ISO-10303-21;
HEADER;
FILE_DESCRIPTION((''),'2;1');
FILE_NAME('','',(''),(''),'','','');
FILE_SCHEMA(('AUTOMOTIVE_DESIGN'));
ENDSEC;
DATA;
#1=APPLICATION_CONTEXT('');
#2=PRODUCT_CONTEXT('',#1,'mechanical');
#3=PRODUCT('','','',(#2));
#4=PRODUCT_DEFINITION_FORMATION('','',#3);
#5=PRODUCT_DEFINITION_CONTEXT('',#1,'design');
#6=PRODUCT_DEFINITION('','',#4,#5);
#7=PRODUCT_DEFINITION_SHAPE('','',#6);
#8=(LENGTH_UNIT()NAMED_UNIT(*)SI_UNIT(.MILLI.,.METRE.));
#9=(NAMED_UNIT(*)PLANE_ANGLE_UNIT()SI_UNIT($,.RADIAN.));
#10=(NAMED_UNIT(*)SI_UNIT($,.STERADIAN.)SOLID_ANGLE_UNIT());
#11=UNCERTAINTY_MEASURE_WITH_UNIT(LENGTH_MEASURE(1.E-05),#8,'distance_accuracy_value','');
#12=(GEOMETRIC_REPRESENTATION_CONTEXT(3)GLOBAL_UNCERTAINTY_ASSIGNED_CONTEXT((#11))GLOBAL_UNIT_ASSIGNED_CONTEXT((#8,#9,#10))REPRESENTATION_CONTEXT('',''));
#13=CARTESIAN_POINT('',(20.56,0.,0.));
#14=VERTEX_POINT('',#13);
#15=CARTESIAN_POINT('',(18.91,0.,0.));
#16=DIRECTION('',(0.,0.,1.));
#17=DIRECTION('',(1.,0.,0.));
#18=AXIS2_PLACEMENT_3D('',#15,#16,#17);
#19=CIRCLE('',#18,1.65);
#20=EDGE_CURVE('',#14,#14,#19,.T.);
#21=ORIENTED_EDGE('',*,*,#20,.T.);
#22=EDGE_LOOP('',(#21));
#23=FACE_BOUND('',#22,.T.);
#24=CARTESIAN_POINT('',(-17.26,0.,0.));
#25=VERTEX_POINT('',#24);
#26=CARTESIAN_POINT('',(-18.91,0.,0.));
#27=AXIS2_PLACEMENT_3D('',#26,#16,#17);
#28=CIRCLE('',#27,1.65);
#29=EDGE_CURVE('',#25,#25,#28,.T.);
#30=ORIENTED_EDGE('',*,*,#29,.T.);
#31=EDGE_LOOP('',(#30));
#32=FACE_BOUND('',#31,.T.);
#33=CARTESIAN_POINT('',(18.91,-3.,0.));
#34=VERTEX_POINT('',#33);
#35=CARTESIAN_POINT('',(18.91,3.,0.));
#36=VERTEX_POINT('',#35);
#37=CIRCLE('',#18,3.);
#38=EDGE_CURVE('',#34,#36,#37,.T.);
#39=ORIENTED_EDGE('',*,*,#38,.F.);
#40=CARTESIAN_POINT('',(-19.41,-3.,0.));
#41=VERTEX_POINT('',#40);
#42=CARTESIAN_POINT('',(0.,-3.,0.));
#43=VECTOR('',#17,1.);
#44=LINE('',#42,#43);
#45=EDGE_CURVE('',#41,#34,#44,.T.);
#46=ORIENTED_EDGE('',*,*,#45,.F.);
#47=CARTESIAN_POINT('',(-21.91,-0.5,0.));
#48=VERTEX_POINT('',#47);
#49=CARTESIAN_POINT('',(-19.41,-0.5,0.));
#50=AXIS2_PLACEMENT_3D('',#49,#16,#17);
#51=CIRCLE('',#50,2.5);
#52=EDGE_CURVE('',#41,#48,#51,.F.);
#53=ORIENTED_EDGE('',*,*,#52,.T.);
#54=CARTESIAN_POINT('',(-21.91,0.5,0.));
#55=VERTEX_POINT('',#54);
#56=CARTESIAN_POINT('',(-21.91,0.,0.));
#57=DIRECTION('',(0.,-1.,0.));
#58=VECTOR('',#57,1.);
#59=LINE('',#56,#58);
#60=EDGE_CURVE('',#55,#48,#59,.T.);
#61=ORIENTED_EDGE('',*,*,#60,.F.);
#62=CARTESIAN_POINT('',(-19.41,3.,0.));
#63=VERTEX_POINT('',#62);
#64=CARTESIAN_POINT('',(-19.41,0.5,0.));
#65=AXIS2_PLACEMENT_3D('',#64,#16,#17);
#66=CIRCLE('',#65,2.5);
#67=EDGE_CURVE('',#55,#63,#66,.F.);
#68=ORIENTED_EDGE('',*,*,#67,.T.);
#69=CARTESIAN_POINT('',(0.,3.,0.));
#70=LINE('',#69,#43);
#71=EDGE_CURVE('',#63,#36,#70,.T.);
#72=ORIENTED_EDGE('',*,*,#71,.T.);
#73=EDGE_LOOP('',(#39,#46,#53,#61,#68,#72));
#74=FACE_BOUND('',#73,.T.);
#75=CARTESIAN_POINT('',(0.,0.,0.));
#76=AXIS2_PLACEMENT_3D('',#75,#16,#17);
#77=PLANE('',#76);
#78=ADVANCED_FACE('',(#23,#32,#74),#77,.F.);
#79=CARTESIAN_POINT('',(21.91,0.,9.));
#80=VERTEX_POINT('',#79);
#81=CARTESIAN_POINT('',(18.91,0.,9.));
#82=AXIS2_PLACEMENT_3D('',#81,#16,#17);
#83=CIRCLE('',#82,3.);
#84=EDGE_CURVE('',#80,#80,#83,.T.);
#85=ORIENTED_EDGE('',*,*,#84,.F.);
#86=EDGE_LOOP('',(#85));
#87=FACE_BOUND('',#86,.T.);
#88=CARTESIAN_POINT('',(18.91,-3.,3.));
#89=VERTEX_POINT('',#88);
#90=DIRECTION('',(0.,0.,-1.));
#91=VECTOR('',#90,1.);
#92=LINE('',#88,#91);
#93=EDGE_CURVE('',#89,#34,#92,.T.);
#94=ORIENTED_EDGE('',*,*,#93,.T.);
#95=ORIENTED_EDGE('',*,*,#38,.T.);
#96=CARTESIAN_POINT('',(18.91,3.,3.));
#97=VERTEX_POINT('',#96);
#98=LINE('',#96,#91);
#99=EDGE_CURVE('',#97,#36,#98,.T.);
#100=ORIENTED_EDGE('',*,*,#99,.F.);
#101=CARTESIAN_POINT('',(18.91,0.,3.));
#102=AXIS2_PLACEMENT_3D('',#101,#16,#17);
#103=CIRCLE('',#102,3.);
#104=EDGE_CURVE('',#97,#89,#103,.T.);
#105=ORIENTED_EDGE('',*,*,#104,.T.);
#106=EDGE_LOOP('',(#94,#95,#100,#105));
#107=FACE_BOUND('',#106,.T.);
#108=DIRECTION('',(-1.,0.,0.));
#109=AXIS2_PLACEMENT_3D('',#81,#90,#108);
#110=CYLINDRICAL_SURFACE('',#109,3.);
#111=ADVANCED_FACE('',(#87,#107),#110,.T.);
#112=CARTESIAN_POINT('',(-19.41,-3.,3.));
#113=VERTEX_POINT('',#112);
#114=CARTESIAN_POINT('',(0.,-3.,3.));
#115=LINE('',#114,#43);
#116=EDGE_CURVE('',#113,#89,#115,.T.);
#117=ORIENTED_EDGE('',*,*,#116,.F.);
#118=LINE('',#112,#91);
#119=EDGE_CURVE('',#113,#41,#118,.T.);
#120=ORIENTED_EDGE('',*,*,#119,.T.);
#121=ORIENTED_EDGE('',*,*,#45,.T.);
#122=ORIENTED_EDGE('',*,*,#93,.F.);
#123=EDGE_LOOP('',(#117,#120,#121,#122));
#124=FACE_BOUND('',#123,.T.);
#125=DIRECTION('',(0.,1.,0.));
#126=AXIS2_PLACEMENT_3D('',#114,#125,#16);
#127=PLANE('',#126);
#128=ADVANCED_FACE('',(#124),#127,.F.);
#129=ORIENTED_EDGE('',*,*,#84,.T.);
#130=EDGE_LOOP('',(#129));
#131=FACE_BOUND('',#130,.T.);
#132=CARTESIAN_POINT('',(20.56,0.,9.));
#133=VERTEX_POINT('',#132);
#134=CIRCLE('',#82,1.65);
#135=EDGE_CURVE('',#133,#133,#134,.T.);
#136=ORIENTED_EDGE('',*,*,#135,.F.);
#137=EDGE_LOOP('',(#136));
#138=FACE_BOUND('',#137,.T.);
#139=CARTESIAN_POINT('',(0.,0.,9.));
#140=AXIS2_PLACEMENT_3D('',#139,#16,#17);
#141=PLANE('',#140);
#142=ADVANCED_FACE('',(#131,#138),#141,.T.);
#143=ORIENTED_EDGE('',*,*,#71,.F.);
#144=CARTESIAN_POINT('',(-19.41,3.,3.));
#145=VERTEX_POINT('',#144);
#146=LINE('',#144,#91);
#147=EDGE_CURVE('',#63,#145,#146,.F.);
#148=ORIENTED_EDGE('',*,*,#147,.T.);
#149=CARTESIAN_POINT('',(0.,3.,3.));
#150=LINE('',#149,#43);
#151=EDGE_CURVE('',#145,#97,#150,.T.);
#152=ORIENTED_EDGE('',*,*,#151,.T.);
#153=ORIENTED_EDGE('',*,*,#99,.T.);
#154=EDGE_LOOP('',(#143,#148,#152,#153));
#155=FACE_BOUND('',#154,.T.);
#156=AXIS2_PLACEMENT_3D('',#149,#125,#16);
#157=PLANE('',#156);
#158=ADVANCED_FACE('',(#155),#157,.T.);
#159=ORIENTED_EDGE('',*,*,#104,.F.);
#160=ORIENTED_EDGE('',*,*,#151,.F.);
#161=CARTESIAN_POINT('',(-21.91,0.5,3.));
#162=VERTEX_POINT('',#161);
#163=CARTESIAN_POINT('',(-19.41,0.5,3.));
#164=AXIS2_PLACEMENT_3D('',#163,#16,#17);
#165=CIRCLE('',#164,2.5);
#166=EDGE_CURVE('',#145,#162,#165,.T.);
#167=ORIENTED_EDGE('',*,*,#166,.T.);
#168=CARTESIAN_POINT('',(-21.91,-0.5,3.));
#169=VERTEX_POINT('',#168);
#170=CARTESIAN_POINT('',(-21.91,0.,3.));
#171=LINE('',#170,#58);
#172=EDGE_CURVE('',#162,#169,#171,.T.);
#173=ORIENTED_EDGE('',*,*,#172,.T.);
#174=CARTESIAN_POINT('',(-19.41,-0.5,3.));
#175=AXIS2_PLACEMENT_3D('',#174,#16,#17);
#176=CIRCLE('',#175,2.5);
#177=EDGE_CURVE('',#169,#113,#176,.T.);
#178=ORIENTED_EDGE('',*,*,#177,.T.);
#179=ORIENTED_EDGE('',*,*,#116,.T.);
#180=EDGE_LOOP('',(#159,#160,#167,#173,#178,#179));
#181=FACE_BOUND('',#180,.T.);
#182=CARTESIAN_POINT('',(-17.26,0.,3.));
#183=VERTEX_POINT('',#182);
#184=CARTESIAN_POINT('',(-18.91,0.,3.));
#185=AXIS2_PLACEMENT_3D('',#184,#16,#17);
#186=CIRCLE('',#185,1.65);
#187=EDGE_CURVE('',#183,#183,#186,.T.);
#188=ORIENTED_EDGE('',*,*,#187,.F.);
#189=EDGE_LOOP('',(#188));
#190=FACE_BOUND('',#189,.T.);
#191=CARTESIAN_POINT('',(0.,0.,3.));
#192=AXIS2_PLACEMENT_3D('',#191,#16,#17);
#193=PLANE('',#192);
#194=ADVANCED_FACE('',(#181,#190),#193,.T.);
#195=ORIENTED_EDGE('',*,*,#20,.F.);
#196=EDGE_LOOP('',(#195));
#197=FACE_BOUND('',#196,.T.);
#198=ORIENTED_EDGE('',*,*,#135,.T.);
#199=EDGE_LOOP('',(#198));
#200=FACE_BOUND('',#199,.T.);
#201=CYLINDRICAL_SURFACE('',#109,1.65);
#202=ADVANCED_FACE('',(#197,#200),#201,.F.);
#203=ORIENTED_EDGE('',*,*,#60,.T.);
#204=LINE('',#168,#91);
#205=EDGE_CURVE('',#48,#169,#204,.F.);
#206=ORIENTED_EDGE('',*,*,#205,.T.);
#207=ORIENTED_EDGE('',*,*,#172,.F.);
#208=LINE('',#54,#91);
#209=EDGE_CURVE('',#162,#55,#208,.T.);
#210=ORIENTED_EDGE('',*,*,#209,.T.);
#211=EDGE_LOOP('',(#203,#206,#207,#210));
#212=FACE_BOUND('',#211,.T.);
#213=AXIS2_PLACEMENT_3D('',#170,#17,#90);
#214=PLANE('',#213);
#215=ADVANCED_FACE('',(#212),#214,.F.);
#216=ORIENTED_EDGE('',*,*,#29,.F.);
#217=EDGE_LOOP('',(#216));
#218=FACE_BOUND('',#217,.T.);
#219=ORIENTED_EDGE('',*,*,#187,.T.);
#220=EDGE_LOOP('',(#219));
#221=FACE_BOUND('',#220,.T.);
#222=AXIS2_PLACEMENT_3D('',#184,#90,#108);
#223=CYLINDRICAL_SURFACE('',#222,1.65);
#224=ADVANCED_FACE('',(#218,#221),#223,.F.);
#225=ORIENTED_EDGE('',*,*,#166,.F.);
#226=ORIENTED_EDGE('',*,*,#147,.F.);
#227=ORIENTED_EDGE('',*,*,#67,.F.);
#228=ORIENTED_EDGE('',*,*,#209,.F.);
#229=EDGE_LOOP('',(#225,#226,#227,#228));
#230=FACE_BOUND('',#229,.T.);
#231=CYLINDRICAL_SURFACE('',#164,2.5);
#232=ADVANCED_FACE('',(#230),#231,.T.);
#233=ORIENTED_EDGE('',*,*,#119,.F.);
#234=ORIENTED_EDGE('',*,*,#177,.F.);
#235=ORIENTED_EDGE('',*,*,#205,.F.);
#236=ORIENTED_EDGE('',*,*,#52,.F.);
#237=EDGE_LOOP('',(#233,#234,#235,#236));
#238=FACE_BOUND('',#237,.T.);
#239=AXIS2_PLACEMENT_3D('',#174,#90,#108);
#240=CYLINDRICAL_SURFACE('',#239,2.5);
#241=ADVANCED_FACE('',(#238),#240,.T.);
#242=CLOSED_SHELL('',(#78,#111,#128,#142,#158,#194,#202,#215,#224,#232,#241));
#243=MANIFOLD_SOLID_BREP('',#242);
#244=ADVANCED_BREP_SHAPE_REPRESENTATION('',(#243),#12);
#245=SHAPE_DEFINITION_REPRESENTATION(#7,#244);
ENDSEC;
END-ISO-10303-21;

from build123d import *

# Parameters (mm, degrees)
SKETCH1_R           = 1.65
BOSS_EXTRUDE1_DEPTH = 3
SKETCH1_3_R         = 3
SKETCH1_3_R_2       = 1.65
BOSS_EXTRUDE2_DEPTH = 9
FILLET1_R           = 2.5


with BuildPart() as part:
    # Sketch1 → Boss-Extrude1 (new body)
    with BuildSketch(Plane.XY):
        with BuildLine():
            Line((-21.91, -3), (18.91, -3))
            ThreePointArc((18.91, -3), (15.91, 0), (18.91, 3))
            Line((18.91, 3), (-21.91, 3))
            Line((-21.91, 3), (-21.91, -3))
        make_face()
        with Locations((-18.91, 0)):
            Circle(SKETCH1_R, mode=Mode.SUBTRACT)
    extrude(amount=BOSS_EXTRUDE1_DEPTH)

    # Sketch1<3> → Boss-Extrude2 (add)
    with BuildSketch(Plane.XY):
        with Locations((18.91, 0)):
            Circle(SKETCH1_3_R)
        with Locations((18.91, 0)):
            Circle(SKETCH1_3_R_2, mode=Mode.SUBTRACT)
    extrude(amount=BOSS_EXTRUDE2_DEPTH)

    # Fillet1
    fillet1_edges = [part.edges().sort_by_distance(p)[0] for p in [
        (-21.91, -3, 1.5),
        (-21.91, 3, 1.5),
    ]]
    fillet(fillet1_edges, radius=FILLET1_R)


solid = part.part
